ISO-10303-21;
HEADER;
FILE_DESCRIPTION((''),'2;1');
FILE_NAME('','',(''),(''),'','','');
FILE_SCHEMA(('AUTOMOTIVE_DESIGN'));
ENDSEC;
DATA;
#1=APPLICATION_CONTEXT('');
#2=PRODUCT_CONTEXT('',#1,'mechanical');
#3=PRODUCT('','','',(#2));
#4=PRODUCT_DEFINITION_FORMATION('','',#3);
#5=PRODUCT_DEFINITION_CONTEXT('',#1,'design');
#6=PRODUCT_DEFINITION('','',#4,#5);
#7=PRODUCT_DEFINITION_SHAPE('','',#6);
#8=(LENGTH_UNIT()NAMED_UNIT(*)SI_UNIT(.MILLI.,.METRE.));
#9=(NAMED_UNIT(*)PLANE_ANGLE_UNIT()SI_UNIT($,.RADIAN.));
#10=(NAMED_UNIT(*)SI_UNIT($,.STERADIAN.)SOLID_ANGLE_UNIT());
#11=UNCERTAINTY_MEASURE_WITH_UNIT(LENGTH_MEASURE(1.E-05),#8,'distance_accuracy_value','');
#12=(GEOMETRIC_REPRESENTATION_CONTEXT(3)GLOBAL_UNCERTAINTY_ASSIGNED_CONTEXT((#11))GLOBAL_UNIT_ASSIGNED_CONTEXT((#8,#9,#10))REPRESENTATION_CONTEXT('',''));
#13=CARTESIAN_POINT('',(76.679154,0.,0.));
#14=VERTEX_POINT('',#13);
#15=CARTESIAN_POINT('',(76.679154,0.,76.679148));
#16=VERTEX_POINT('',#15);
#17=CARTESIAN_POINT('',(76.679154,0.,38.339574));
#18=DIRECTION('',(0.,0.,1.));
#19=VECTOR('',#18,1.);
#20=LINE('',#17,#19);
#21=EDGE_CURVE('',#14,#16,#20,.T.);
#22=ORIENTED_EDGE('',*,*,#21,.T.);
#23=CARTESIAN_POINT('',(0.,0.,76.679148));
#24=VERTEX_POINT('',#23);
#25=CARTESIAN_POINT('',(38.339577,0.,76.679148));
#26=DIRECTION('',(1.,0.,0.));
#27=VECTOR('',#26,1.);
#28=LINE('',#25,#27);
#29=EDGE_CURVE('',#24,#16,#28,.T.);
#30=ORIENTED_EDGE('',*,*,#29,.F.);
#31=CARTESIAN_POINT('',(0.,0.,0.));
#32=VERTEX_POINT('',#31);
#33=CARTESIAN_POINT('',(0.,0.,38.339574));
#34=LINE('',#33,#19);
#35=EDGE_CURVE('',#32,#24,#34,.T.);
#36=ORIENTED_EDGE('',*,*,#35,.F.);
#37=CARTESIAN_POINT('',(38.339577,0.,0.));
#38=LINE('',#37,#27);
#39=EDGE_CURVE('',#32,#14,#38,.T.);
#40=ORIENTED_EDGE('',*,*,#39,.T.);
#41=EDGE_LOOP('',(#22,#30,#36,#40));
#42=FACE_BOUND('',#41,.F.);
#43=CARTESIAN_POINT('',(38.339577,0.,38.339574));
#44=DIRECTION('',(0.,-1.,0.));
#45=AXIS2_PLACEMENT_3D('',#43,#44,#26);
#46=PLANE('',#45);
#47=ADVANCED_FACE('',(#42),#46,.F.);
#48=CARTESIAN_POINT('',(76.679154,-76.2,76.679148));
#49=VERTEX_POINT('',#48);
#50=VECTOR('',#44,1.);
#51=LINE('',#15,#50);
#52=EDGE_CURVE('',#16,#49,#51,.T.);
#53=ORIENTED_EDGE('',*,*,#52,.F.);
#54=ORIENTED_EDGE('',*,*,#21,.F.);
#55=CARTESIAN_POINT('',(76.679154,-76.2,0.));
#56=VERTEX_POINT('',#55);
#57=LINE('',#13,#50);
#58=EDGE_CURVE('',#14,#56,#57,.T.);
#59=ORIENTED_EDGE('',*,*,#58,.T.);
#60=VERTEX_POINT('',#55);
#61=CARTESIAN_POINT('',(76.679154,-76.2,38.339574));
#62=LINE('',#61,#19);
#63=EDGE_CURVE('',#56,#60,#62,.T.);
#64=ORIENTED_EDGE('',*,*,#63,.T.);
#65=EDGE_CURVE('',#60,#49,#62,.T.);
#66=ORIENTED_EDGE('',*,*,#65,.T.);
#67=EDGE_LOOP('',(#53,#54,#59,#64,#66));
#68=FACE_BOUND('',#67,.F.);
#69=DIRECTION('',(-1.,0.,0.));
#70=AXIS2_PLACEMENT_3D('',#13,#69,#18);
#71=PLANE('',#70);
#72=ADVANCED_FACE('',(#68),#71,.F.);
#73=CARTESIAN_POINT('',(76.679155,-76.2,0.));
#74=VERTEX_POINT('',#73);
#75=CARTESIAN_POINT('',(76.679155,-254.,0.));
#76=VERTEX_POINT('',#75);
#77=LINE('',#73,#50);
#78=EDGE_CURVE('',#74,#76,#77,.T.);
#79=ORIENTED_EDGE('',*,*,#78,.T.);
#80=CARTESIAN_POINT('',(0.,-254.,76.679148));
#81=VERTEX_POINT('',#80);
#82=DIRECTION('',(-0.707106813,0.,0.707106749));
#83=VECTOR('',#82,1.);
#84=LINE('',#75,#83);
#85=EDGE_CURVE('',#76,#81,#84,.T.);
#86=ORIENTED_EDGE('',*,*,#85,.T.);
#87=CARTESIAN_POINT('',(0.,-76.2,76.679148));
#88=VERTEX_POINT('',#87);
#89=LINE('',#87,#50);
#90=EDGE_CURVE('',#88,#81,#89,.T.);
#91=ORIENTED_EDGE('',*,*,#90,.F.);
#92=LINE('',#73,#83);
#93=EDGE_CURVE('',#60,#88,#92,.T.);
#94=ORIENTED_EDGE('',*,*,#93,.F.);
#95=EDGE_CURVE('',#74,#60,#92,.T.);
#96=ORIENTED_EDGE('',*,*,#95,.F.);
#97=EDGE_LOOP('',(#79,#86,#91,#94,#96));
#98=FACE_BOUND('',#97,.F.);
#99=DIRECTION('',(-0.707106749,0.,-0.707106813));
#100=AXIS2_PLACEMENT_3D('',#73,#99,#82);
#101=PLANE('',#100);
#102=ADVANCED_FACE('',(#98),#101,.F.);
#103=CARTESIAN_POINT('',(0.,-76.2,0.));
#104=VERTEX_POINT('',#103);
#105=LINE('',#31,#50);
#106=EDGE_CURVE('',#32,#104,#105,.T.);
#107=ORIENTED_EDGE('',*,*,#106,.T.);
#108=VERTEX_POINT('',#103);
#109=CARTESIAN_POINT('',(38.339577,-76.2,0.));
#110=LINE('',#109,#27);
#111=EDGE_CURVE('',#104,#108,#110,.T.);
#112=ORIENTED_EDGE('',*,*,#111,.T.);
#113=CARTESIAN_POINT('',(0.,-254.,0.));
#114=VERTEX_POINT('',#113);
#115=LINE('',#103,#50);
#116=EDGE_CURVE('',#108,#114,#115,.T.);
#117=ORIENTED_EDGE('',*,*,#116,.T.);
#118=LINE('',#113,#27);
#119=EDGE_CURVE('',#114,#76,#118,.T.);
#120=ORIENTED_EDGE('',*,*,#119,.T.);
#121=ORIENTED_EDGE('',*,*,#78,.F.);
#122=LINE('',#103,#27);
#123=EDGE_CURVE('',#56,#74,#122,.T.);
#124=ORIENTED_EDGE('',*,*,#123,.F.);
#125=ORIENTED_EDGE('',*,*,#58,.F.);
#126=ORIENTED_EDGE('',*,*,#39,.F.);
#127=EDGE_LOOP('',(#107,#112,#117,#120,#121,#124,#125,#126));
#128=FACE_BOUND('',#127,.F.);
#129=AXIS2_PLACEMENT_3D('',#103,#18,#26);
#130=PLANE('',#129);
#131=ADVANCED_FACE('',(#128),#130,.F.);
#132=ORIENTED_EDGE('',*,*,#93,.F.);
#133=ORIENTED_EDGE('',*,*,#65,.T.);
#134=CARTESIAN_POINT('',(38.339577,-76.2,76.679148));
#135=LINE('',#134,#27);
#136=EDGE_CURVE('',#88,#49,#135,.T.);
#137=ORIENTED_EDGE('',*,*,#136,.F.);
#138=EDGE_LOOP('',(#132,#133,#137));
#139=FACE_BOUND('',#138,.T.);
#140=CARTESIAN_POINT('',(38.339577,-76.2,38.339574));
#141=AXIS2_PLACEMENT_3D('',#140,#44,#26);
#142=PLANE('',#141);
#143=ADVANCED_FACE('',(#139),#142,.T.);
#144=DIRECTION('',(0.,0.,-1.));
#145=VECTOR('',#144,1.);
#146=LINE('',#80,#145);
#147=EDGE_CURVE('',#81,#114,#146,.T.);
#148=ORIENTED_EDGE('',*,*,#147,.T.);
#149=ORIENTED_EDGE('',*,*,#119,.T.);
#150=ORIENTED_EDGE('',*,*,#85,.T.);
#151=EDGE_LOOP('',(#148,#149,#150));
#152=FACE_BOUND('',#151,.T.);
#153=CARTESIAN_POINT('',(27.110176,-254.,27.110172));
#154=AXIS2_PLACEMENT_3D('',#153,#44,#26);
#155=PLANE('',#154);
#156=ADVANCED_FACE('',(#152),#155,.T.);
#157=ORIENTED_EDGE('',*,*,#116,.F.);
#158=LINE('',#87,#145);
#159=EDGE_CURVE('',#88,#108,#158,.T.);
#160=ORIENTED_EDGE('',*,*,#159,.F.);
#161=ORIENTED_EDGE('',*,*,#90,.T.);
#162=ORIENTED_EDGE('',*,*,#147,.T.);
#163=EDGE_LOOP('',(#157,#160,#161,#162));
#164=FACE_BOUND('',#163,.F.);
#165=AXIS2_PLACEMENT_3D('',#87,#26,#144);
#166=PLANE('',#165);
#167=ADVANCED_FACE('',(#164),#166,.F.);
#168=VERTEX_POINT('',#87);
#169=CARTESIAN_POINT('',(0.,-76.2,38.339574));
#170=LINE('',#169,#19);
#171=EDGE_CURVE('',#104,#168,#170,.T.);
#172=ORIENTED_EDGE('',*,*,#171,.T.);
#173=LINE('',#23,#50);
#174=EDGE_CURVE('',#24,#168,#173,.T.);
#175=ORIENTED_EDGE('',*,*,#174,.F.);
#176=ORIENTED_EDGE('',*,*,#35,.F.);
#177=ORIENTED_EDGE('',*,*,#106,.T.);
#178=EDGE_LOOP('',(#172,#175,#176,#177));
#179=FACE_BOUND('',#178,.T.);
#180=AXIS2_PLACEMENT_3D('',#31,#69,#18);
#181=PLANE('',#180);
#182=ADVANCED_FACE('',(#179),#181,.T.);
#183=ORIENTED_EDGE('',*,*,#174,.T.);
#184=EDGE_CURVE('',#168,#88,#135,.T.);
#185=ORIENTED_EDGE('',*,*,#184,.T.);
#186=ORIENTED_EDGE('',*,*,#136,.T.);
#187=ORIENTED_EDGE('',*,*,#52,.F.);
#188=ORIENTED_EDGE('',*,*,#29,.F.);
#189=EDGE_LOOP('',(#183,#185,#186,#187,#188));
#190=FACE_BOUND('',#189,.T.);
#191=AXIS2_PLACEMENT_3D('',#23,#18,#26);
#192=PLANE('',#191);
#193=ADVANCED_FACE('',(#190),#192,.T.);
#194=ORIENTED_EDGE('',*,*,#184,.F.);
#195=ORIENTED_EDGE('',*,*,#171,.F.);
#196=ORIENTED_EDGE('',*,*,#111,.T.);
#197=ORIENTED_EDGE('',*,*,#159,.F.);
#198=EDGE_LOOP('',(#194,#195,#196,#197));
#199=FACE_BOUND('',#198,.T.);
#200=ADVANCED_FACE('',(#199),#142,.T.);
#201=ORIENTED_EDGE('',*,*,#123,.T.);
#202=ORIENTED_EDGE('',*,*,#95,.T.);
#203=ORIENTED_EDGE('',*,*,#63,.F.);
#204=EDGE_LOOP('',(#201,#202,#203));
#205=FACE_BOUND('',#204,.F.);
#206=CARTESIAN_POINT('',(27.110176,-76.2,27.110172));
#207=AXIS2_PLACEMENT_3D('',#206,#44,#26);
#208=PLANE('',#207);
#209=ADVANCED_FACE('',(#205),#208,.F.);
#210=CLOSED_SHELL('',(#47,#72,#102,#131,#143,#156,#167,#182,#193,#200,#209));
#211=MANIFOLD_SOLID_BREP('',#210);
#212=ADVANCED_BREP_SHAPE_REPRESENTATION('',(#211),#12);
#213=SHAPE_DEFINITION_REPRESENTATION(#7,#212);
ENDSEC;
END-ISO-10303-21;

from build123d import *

# Parameters (mm, degrees)
F0_W     = 76.679155
F0_H     = 76.679148
F1_DEPTH = 76.2
F3_DEPTH = 177.8


with BuildPart() as f1:
    # F0 (on Front) → F1 (new body)
    with BuildSketch(Plane.XZ):
        with Locations((38.339577, 38.339574)):
            Rectangle(F0_W, F0_H)
    extrude(amount=F1_DEPTH)

    # F2 (on face) → F3 (join)
    with BuildSketch(Plane.XZ.offset(76.2)):
        Polygon((76.679155, 0), (0, 76.679148), (0, 0), align=None)
    extrude(amount=F3_DEPTH)


solid = f1.part
